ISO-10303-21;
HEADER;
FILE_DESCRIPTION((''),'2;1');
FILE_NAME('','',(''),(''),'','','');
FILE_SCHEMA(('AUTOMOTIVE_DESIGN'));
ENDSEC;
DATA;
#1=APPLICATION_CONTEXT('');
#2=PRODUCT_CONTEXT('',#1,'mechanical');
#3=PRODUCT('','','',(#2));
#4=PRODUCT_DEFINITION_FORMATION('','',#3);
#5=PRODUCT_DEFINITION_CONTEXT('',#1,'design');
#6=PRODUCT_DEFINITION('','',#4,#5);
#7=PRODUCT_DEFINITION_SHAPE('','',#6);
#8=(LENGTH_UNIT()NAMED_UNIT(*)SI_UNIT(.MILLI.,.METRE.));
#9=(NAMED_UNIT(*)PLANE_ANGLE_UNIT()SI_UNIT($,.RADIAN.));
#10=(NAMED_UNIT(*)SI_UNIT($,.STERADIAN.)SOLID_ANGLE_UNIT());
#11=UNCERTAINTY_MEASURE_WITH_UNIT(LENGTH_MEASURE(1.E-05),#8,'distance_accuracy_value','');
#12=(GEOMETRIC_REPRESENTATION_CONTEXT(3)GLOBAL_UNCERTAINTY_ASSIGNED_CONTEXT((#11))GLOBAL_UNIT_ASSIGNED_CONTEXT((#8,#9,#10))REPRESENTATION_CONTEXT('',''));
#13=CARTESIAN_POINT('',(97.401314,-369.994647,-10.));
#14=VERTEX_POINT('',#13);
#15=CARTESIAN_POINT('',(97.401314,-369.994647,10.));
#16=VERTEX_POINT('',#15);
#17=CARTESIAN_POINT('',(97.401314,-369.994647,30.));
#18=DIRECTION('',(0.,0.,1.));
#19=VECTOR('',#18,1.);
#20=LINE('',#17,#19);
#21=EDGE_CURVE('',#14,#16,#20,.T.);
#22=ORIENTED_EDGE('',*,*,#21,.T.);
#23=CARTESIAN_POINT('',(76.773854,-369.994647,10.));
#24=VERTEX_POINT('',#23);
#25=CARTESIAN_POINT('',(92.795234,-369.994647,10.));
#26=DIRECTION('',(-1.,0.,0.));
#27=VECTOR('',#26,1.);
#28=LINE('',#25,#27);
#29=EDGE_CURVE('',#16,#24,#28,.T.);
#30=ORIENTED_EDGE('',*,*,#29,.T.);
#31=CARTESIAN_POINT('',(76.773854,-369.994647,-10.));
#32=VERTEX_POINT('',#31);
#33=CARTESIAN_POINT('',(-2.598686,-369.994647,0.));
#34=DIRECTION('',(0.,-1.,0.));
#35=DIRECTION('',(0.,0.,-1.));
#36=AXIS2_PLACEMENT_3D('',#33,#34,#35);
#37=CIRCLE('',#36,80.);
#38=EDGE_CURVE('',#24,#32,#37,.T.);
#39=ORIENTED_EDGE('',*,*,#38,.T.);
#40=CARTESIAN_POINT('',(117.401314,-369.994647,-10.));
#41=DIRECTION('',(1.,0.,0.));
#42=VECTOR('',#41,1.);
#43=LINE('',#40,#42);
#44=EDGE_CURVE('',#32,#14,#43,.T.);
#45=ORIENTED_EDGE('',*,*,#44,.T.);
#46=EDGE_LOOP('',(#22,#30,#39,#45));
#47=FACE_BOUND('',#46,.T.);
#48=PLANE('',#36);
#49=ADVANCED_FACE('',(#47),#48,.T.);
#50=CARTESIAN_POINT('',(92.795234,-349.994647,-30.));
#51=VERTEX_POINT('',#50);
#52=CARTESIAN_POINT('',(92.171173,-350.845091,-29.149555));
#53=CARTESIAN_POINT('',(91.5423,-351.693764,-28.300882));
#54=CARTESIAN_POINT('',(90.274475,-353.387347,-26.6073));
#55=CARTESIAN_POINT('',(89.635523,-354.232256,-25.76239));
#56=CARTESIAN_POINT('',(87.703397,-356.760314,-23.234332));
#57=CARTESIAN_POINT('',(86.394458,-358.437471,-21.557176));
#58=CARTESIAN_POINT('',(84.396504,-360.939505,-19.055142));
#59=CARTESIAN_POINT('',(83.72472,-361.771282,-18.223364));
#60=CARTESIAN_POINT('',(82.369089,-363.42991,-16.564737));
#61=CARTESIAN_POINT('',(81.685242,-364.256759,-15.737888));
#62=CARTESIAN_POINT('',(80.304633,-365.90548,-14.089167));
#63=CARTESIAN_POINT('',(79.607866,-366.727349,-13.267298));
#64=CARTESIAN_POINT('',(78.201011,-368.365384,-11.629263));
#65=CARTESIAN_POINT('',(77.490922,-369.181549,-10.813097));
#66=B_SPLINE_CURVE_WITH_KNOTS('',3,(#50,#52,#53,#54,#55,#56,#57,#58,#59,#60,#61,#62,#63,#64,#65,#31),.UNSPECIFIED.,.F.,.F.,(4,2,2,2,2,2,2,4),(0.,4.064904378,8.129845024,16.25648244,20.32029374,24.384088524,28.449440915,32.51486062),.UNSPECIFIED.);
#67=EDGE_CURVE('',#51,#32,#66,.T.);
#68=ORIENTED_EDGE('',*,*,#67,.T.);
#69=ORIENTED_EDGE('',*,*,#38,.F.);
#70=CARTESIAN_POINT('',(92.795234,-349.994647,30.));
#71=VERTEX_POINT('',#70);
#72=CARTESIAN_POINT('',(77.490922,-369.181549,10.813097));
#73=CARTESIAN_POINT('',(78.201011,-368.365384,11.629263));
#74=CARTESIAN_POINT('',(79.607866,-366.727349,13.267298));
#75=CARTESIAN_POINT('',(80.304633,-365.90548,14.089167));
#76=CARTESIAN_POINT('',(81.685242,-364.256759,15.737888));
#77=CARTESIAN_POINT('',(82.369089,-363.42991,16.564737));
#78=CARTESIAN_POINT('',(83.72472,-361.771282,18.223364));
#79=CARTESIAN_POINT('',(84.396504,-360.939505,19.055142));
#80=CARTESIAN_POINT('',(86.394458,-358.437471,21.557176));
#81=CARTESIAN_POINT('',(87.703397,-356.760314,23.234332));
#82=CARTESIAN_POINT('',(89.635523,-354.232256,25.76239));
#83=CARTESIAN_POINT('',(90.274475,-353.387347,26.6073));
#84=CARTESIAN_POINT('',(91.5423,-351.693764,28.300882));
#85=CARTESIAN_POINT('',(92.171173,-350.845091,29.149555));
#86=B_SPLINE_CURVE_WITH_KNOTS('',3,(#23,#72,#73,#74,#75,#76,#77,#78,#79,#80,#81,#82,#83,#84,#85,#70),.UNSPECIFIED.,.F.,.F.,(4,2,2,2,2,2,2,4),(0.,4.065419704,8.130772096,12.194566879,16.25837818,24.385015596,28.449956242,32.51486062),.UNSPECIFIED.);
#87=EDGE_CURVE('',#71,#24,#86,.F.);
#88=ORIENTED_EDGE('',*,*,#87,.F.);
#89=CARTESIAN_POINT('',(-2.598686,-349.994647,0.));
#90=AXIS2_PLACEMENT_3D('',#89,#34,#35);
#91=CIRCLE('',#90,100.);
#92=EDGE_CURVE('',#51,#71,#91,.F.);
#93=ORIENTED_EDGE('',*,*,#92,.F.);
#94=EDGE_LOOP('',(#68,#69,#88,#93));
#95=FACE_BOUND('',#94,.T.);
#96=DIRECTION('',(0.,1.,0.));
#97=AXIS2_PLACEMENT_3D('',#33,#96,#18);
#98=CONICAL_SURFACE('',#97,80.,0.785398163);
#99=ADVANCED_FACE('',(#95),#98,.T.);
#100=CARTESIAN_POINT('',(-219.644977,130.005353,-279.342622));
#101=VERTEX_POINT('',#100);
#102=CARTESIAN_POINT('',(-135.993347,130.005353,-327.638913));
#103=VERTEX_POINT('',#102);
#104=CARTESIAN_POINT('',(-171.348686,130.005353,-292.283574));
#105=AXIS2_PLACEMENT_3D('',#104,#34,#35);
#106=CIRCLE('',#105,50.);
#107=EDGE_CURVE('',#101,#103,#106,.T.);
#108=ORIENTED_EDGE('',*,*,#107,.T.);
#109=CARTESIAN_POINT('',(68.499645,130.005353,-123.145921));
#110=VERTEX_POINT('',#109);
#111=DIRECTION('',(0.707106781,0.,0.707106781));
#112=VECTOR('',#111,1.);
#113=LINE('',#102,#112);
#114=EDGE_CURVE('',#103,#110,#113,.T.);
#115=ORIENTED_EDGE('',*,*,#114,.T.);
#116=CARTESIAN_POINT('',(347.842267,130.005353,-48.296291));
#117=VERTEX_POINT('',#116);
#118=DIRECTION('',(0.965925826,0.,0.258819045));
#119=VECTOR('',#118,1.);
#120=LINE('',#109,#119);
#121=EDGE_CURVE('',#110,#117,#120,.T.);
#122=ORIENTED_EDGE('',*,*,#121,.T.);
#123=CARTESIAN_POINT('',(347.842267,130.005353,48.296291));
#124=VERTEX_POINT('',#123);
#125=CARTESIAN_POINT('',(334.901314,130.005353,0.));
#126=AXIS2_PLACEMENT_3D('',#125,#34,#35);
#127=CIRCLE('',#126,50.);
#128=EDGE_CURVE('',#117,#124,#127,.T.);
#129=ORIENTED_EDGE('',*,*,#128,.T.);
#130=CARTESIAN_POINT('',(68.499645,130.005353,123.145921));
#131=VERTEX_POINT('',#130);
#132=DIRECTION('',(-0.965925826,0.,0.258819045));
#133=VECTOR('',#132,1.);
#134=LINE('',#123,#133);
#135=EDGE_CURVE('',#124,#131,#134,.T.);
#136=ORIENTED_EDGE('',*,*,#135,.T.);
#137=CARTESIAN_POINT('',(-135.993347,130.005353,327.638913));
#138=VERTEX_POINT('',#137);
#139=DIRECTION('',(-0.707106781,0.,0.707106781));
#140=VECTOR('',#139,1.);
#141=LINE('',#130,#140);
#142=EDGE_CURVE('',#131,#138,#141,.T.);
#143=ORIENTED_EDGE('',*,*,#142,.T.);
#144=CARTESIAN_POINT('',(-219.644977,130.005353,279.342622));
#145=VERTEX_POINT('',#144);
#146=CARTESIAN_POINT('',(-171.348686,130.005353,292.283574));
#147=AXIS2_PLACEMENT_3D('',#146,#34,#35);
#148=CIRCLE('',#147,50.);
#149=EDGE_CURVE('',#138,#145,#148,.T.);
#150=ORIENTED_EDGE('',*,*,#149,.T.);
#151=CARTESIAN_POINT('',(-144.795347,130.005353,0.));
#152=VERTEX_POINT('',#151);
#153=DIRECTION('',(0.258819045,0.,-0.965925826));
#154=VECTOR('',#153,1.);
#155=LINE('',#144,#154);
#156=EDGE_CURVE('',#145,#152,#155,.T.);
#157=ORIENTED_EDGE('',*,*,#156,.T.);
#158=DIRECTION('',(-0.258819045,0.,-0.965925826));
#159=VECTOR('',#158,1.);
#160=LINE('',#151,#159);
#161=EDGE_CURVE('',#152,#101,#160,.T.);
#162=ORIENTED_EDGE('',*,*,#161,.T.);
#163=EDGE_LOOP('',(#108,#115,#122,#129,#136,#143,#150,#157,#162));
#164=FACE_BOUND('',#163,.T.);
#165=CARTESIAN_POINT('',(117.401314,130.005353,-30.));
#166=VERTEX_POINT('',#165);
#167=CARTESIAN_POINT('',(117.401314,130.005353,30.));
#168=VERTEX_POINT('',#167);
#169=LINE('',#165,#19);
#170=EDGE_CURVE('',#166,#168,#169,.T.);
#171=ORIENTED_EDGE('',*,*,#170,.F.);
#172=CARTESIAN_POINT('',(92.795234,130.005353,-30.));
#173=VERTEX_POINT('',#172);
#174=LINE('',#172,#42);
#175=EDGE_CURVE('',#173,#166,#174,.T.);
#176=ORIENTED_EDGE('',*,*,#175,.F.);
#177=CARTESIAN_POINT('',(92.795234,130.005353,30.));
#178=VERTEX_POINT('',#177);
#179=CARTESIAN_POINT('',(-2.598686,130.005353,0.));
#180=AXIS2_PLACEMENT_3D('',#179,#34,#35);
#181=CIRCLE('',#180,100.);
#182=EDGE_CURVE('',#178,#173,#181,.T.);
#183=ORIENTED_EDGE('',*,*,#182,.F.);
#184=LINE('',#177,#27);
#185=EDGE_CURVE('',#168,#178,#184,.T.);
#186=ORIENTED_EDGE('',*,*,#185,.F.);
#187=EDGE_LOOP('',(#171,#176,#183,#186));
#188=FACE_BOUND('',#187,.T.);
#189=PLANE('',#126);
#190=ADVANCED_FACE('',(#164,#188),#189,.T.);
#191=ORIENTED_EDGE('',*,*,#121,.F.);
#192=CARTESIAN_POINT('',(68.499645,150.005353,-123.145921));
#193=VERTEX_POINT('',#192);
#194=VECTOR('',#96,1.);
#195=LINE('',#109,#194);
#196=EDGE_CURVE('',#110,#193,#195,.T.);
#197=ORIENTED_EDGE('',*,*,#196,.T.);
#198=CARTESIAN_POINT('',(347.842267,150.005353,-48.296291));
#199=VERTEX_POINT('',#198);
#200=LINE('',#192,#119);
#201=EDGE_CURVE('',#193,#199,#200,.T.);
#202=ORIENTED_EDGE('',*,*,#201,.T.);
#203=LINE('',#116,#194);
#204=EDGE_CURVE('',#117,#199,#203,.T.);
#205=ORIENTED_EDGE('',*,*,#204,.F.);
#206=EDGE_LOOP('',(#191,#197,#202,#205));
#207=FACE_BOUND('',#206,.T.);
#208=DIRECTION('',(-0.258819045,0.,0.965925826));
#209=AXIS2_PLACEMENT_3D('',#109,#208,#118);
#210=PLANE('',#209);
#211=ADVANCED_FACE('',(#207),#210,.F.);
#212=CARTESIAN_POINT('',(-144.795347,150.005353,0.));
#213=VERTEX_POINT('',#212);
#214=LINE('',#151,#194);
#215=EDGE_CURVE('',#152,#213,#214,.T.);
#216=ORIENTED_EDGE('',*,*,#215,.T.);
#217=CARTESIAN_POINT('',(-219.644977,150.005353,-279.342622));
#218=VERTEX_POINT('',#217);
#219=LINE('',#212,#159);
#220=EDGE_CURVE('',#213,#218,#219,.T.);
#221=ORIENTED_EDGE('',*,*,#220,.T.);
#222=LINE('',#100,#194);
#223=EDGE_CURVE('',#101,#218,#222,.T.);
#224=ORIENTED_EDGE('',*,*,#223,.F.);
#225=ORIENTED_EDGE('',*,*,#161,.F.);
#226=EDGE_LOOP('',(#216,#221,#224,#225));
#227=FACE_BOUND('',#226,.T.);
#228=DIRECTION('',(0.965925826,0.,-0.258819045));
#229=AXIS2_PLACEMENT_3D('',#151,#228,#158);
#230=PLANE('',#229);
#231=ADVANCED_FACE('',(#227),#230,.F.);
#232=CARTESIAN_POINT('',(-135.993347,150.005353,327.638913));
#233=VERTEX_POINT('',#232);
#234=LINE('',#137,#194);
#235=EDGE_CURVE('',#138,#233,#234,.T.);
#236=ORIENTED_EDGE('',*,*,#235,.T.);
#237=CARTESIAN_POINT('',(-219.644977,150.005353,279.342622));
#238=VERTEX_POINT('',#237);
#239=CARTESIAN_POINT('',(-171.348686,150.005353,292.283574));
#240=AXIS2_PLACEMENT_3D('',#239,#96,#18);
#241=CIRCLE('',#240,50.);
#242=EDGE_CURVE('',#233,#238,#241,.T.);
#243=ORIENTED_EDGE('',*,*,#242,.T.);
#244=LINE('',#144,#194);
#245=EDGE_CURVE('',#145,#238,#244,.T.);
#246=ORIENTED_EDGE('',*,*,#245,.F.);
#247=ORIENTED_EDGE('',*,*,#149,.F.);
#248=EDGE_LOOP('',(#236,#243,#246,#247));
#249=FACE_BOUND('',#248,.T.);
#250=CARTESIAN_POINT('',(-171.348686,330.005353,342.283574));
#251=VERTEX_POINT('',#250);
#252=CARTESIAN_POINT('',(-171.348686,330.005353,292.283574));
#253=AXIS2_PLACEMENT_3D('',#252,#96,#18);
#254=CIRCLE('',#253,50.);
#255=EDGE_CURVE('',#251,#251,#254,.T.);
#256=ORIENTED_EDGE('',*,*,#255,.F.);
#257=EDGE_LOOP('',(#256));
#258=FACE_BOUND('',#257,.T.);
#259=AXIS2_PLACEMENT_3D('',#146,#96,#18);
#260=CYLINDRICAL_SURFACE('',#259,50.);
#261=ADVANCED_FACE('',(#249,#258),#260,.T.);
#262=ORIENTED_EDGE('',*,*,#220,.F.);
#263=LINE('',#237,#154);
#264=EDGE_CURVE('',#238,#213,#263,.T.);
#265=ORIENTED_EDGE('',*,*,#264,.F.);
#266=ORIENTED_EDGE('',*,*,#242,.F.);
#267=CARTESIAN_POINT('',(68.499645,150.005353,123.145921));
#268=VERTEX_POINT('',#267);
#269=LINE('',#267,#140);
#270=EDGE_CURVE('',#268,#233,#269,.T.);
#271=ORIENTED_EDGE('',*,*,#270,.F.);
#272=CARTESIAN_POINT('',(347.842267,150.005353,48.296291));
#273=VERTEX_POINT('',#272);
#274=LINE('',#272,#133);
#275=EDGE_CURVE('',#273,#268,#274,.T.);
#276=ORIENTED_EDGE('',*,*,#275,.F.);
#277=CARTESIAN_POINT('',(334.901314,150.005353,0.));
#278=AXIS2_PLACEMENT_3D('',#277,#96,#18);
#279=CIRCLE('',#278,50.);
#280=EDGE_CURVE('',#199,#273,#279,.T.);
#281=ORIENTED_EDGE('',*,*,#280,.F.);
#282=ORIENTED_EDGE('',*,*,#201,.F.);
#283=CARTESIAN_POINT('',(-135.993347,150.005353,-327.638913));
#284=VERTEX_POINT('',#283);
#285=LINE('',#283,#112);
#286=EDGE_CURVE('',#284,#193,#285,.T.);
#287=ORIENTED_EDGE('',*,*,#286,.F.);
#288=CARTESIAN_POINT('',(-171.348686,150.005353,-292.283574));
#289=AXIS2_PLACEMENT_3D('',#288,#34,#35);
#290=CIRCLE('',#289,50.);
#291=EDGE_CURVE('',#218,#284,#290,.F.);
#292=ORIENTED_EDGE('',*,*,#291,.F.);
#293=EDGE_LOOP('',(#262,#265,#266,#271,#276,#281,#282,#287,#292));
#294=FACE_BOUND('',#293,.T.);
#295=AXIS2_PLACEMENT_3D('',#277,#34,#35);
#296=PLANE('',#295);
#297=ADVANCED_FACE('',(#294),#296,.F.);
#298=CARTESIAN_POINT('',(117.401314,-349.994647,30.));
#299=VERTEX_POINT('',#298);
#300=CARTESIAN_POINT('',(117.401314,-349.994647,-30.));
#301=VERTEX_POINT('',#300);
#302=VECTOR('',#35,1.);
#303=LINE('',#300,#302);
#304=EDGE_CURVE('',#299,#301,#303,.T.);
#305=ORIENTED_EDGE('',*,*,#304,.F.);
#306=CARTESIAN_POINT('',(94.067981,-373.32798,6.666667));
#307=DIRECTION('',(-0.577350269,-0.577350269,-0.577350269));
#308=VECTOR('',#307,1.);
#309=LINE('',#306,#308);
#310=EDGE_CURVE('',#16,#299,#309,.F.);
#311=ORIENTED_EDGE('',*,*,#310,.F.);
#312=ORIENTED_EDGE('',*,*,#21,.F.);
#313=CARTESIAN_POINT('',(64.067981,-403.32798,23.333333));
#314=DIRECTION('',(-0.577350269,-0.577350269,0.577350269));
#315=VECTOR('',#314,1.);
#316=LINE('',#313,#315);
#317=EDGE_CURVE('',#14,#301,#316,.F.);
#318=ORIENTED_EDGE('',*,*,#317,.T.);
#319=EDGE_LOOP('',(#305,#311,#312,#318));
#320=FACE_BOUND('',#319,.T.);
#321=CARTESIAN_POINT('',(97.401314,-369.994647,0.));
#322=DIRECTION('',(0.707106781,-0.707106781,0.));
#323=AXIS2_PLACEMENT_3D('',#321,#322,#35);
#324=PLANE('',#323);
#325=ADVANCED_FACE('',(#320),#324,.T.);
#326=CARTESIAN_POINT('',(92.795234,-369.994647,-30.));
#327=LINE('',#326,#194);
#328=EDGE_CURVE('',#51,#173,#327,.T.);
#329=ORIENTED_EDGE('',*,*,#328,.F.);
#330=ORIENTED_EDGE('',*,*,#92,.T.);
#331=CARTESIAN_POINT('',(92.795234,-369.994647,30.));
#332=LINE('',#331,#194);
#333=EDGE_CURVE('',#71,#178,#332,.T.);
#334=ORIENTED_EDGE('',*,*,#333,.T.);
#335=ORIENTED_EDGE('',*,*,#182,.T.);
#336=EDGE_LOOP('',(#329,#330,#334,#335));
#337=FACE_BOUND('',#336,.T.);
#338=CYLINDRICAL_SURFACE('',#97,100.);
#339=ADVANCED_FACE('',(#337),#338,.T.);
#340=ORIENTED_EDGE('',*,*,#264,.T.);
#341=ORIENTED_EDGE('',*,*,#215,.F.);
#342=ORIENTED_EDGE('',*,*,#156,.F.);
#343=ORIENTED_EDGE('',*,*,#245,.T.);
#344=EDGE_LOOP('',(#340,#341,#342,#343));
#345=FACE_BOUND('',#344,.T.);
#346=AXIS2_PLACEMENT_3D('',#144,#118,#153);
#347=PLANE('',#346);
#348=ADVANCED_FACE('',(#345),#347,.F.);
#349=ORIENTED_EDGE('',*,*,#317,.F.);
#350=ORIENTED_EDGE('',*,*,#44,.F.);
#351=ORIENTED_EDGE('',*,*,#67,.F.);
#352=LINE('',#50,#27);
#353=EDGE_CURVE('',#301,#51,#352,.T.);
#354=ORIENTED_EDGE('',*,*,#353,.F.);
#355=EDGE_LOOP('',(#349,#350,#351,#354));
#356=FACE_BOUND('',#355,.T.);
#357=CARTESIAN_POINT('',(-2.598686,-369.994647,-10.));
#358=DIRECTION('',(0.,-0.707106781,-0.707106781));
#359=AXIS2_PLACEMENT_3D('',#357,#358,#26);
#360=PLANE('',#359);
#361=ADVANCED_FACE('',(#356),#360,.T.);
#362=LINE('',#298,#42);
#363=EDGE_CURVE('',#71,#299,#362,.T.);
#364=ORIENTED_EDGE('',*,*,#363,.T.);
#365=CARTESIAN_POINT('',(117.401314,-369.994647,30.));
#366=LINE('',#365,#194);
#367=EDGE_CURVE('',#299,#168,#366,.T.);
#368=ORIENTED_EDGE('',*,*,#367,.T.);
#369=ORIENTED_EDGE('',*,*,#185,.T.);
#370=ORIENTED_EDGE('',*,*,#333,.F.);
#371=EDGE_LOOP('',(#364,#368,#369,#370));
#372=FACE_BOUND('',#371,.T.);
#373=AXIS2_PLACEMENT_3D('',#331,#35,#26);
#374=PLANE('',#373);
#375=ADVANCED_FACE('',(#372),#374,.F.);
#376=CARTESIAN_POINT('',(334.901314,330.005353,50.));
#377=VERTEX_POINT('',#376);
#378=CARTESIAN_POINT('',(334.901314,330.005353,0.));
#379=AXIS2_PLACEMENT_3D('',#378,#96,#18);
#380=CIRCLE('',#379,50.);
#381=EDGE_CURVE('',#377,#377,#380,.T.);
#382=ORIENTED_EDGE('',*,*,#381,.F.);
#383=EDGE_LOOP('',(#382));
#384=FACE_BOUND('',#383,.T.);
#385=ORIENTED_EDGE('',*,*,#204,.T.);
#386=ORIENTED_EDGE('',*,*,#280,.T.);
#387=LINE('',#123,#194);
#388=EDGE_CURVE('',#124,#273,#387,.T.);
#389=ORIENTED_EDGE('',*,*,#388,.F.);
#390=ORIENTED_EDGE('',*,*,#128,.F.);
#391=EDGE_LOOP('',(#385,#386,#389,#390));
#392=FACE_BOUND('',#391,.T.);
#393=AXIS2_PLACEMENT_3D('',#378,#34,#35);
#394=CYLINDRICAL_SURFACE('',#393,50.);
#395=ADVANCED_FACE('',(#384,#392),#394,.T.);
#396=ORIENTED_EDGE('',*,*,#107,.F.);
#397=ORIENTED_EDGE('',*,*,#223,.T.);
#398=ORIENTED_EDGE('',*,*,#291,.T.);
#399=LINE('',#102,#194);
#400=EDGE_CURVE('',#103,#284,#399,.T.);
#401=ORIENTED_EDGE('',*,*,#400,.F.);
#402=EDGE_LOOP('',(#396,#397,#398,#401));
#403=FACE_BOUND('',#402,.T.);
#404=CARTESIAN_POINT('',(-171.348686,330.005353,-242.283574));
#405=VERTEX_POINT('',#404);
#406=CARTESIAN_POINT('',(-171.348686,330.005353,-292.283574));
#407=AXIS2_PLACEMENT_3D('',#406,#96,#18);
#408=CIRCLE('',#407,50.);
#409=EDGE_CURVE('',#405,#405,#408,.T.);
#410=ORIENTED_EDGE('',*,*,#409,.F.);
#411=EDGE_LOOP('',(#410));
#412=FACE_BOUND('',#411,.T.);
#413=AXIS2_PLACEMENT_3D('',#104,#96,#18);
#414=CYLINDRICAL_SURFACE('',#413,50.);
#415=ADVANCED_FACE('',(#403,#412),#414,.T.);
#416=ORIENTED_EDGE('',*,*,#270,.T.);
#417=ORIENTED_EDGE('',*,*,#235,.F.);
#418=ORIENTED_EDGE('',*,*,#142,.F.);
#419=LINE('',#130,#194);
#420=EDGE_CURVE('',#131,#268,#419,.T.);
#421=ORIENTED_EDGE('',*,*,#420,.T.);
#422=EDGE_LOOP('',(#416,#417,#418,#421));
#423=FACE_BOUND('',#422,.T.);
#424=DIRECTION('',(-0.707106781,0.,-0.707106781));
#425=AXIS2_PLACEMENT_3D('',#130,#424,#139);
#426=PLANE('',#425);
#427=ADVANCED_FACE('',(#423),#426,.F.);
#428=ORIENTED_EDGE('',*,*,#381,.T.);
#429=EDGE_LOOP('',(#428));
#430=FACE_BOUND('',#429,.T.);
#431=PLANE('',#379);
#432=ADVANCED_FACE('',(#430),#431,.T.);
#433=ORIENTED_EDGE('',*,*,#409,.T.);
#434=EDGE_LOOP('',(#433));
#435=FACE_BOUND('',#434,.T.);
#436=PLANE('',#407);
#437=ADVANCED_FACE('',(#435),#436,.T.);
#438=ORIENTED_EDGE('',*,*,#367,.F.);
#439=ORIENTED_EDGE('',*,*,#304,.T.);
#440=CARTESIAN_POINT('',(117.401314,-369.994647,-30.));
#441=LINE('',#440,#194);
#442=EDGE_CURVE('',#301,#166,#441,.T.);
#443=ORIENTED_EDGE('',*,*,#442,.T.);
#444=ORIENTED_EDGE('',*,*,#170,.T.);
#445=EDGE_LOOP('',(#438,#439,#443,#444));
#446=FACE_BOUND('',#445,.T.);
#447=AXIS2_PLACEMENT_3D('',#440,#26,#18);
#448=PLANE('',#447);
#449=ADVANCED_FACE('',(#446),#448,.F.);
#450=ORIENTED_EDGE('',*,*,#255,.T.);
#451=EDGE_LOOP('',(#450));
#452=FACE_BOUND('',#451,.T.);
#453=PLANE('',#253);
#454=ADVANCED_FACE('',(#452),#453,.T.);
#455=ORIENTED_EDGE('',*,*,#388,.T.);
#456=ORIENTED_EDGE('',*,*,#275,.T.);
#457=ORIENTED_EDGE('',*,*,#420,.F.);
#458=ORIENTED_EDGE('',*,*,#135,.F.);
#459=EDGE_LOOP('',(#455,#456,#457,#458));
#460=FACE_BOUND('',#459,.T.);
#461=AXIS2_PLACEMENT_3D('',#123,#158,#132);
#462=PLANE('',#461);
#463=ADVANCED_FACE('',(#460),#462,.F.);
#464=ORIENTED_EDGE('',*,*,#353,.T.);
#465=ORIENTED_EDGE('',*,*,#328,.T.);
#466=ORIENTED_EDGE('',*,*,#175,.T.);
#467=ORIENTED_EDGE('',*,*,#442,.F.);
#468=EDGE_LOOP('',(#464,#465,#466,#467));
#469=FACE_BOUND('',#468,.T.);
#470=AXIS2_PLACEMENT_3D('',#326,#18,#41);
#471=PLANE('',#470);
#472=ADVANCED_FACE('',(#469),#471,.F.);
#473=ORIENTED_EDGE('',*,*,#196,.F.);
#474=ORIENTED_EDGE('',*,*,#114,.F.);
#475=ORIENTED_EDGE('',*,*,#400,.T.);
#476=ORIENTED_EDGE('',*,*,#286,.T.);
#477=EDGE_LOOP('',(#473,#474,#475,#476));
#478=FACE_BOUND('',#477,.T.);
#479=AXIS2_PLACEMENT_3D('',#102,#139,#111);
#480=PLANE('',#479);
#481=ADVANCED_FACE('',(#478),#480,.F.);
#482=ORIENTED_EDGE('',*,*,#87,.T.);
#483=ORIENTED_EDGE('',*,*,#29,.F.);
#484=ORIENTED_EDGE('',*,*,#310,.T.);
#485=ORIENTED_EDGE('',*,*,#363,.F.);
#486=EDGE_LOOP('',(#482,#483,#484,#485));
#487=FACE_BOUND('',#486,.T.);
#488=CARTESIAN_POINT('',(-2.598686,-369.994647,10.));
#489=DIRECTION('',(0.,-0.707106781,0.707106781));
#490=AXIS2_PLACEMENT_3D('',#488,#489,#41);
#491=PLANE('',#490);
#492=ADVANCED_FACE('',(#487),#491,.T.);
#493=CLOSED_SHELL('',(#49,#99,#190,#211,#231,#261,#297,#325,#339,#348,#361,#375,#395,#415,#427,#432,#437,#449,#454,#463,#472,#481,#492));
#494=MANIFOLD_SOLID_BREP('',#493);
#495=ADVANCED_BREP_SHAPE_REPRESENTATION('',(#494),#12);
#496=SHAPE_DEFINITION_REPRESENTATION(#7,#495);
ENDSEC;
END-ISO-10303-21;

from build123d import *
from build123d.topology import SkipClean

# Parameters (mm, degrees)
SKETCH2_R             = 5
BOSS_EXTRUDE2_DEPTH   = 18
BOSS_EXTRUDE2_2_DEPTH = 18
BOSS_EXTRUDE2_3_DEPTH = 18
BOSS_EXTRUDE3_START   = -2
BOSS_EXTRUDE3_DEPTH   = 2
BOSS_EXTRUDE4_DEPTH   = 50
CHAMFER5_SIZE         = 2
SCALE1_SCALE          = 10


with BuildPart() as part:
    # Sketch2 → Boss-Extrude2 (new body)
    with BuildSketch(Plane(origin=(0, 0, 0), x_dir=(1, 0, 0), z_dir=(0, 1, 0))):
        with Locations((33.75, 0)):
            Circle(SKETCH2_R)
    extrude(amount=BOSS_EXTRUDE2_DEPTH)



with BuildPart() as body_2:
    # Sketch2 → Boss-Extrude2 2 (new body)
    with BuildSketch(Plane(origin=(0, 0, 0), x_dir=(1, 0, 0), z_dir=(0, 1, 0))):
        with Locations((-16.875, -29.228357378)):
            Circle(SKETCH2_R)
    extrude(amount=BOSS_EXTRUDE2_2_DEPTH)


with BuildPart() as body_3:
    # Sketch2 → Boss-Extrude2 3 (new body)
    with BuildSketch(Plane(origin=(0, 0, 0), x_dir=(1, 0, 0), z_dir=(0, 1, 0))):
        with Locations((-16.875, 29.228357378)):
            Circle(SKETCH2_R)
    extrude(amount=BOSS_EXTRUDE2_3_DEPTH)


with BuildPart() as part_1:
    with SkipClean():  # the faces are left unmerged after this step: merging them gives an invalid solid
        add(part.part)

        add(body_2.part)  # Boss-Extrude3 merges body 2

        add(body_3.part)  # Boss-Extrude3 merges body 3
        # Sketch5 → Boss-Extrude3 (add)
        with BuildSketch(Plane(origin=(0, 0, 0), x_dir=(1, 0, 0), z_dir=(0, 1, 0)).offset(BOSS_EXTRUDE3_START)):
            with BuildLine():
                Line((-13.339466094, 32.763891284), (7.109833073, 12.314592116))
                Line((7.109833073, 12.314592116), (35.044095226, 4.829629131))
                ThreePointArc((35.044095226, 4.829629131), (38.75, 0), (35.044095226, -4.829629131))
                Line((35.044095226, -4.829629131), (7.109833073, -12.314592116))
                Line((7.109833073, -12.314592116), (-13.339466094, -32.763891284))
                ThreePointArc((-13.339466094, -32.763891284), (-19.375, -33.558484397), (-21.704629131, -27.934262152))
                Line((-21.704629131, -27.934262152), (-14.219666147, 0))
                Line((-14.219666147, 0), (-21.704629131, 27.934262152))
                ThreePointArc((-21.704629131, 27.934262152), (-19.375, 33.558484397), (-13.339466094, 32.763891284))
            make_face()
        extrude(amount=BOSS_EXTRUDE3_DEPTH)

    # Sketch6 → Boss-Extrude4 (add)
    with SkipClean():  # the faces are left unmerged after this step: merging them gives an invalid solid
        with BuildSketch(Plane.XZ.offset(2)):
            with BuildLine():
                Line((9.539392014, -3), (12, -3))
                Line((12, -3), (12, 3))
                Line((12, 3), (9.539392014, 3))
                ThreePointArc((9.539392014, 3), (-10, 0), (9.539392014, -3))
            make_face()
        extrude(amount=BOSS_EXTRUDE4_DEPTH)

    # Chamfer5
    chamfer5_edges = [part_1.edges().sort_by_distance(p)[0] for p in [
        (10.769696007, -52, 3),
        (12, -52, 0),
        (10.769696007, -52, -3),
        (-10, -52, 0),
    ]]
    chamfer(chamfer5_edges, length=CHAMFER5_SIZE)


with BuildPart() as part_2:
    # Scale1: scaled about (0.288742854, -16.667261458, 0)
    add(part_1.part.scale(SCALE1_SCALE).moved(Location((-2.598685686, 150.005353122, 0))))


solid = part_2.part
